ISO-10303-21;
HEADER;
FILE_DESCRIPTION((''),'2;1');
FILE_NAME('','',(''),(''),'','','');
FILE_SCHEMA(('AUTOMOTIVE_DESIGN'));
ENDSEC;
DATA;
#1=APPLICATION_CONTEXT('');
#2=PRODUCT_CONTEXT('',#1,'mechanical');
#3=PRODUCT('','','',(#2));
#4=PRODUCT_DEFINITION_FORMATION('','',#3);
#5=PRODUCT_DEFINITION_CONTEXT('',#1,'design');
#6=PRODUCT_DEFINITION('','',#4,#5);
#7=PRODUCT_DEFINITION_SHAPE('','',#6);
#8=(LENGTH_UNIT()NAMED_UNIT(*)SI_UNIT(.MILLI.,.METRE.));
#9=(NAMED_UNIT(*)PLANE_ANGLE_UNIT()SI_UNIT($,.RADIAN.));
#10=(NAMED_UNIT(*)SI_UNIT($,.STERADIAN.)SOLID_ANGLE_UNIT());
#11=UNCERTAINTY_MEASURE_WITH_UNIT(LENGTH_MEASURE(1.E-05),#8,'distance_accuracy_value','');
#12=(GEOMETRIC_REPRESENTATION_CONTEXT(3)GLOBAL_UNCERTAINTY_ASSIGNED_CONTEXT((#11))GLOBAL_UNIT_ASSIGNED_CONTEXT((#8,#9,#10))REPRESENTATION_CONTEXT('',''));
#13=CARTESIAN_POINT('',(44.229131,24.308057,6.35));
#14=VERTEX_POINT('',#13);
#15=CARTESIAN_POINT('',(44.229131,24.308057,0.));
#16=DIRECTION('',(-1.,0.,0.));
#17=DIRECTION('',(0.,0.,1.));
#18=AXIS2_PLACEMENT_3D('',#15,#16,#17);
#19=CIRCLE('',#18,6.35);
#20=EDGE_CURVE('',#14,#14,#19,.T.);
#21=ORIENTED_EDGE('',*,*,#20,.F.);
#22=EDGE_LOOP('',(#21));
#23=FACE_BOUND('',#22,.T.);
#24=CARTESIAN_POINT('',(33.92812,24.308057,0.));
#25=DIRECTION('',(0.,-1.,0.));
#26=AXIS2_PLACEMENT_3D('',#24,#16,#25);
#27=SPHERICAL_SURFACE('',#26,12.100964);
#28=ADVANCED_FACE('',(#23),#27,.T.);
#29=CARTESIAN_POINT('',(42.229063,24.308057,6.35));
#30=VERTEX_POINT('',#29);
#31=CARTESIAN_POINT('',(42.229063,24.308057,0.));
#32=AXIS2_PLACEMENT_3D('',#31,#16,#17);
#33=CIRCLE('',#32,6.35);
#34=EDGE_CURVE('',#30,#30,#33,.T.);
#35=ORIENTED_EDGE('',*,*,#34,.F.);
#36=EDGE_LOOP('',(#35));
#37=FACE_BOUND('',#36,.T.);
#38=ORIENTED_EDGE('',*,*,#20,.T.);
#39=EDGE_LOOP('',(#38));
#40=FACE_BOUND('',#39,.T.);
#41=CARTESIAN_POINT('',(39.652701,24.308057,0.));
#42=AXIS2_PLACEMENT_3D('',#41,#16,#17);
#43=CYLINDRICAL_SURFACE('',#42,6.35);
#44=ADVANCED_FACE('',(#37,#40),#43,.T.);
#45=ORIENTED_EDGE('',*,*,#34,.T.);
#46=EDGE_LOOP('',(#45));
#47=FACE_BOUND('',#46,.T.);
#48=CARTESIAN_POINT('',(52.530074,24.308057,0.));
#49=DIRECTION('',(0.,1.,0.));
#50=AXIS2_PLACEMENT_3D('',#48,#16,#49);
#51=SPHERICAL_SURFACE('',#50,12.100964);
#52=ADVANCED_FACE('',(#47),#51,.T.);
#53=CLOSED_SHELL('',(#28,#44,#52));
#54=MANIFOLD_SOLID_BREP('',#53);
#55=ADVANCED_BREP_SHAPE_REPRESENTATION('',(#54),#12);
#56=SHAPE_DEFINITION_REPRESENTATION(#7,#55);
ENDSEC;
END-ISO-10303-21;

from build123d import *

# Parameters (mm, degrees)
SKETCH_1_ONE_SIDE_W = 2.000068571
SKETCH_1_ONE_SIDE_H = 6.35


with BuildPart() as part:
    # 草图1 one side → 旋转1 (revolve)
    with BuildSketch(Plane.XY, mode=Mode.PRIVATE) as revolve_1_sk:
        with Locations((43.229096888, 27.483056512)):
            Rectangle(SKETCH_1_ONE_SIDE_W, SKETCH_1_ONE_SIDE_H)
        with BuildLine():
            Line((40.429109744, 24.308056512), (42.229062602, 24.308056512))
            Line((42.229062602, 24.308056512), (42.229062602, 30.658056512))
            ThreePointArc((42.229062602, 30.658056512), (40.887791006, 27.608144779), (40.429109744, 24.308056512))
        make_face()
        with BuildLine():
            Line((44.229131173, 24.308056512), (46.02908403, 24.308056512))
            ThreePointArc((46.02908403, 24.308056512), (45.570402769, 27.608144779), (44.229131173, 30.658056512))
            Line((44.229131173, 30.658056512), (44.229131173, 24.308056512))
        make_face()
    revolve(revolve_1_sk.sketch.rotate(Axis((39.652700675, 24.308056512, 0), (1, 0, 0)), 90), axis=Axis((39.652700675, 24.308056512, 0), (1, 0, 0)))  # turned: the seam where the file's is


solid = part.part
